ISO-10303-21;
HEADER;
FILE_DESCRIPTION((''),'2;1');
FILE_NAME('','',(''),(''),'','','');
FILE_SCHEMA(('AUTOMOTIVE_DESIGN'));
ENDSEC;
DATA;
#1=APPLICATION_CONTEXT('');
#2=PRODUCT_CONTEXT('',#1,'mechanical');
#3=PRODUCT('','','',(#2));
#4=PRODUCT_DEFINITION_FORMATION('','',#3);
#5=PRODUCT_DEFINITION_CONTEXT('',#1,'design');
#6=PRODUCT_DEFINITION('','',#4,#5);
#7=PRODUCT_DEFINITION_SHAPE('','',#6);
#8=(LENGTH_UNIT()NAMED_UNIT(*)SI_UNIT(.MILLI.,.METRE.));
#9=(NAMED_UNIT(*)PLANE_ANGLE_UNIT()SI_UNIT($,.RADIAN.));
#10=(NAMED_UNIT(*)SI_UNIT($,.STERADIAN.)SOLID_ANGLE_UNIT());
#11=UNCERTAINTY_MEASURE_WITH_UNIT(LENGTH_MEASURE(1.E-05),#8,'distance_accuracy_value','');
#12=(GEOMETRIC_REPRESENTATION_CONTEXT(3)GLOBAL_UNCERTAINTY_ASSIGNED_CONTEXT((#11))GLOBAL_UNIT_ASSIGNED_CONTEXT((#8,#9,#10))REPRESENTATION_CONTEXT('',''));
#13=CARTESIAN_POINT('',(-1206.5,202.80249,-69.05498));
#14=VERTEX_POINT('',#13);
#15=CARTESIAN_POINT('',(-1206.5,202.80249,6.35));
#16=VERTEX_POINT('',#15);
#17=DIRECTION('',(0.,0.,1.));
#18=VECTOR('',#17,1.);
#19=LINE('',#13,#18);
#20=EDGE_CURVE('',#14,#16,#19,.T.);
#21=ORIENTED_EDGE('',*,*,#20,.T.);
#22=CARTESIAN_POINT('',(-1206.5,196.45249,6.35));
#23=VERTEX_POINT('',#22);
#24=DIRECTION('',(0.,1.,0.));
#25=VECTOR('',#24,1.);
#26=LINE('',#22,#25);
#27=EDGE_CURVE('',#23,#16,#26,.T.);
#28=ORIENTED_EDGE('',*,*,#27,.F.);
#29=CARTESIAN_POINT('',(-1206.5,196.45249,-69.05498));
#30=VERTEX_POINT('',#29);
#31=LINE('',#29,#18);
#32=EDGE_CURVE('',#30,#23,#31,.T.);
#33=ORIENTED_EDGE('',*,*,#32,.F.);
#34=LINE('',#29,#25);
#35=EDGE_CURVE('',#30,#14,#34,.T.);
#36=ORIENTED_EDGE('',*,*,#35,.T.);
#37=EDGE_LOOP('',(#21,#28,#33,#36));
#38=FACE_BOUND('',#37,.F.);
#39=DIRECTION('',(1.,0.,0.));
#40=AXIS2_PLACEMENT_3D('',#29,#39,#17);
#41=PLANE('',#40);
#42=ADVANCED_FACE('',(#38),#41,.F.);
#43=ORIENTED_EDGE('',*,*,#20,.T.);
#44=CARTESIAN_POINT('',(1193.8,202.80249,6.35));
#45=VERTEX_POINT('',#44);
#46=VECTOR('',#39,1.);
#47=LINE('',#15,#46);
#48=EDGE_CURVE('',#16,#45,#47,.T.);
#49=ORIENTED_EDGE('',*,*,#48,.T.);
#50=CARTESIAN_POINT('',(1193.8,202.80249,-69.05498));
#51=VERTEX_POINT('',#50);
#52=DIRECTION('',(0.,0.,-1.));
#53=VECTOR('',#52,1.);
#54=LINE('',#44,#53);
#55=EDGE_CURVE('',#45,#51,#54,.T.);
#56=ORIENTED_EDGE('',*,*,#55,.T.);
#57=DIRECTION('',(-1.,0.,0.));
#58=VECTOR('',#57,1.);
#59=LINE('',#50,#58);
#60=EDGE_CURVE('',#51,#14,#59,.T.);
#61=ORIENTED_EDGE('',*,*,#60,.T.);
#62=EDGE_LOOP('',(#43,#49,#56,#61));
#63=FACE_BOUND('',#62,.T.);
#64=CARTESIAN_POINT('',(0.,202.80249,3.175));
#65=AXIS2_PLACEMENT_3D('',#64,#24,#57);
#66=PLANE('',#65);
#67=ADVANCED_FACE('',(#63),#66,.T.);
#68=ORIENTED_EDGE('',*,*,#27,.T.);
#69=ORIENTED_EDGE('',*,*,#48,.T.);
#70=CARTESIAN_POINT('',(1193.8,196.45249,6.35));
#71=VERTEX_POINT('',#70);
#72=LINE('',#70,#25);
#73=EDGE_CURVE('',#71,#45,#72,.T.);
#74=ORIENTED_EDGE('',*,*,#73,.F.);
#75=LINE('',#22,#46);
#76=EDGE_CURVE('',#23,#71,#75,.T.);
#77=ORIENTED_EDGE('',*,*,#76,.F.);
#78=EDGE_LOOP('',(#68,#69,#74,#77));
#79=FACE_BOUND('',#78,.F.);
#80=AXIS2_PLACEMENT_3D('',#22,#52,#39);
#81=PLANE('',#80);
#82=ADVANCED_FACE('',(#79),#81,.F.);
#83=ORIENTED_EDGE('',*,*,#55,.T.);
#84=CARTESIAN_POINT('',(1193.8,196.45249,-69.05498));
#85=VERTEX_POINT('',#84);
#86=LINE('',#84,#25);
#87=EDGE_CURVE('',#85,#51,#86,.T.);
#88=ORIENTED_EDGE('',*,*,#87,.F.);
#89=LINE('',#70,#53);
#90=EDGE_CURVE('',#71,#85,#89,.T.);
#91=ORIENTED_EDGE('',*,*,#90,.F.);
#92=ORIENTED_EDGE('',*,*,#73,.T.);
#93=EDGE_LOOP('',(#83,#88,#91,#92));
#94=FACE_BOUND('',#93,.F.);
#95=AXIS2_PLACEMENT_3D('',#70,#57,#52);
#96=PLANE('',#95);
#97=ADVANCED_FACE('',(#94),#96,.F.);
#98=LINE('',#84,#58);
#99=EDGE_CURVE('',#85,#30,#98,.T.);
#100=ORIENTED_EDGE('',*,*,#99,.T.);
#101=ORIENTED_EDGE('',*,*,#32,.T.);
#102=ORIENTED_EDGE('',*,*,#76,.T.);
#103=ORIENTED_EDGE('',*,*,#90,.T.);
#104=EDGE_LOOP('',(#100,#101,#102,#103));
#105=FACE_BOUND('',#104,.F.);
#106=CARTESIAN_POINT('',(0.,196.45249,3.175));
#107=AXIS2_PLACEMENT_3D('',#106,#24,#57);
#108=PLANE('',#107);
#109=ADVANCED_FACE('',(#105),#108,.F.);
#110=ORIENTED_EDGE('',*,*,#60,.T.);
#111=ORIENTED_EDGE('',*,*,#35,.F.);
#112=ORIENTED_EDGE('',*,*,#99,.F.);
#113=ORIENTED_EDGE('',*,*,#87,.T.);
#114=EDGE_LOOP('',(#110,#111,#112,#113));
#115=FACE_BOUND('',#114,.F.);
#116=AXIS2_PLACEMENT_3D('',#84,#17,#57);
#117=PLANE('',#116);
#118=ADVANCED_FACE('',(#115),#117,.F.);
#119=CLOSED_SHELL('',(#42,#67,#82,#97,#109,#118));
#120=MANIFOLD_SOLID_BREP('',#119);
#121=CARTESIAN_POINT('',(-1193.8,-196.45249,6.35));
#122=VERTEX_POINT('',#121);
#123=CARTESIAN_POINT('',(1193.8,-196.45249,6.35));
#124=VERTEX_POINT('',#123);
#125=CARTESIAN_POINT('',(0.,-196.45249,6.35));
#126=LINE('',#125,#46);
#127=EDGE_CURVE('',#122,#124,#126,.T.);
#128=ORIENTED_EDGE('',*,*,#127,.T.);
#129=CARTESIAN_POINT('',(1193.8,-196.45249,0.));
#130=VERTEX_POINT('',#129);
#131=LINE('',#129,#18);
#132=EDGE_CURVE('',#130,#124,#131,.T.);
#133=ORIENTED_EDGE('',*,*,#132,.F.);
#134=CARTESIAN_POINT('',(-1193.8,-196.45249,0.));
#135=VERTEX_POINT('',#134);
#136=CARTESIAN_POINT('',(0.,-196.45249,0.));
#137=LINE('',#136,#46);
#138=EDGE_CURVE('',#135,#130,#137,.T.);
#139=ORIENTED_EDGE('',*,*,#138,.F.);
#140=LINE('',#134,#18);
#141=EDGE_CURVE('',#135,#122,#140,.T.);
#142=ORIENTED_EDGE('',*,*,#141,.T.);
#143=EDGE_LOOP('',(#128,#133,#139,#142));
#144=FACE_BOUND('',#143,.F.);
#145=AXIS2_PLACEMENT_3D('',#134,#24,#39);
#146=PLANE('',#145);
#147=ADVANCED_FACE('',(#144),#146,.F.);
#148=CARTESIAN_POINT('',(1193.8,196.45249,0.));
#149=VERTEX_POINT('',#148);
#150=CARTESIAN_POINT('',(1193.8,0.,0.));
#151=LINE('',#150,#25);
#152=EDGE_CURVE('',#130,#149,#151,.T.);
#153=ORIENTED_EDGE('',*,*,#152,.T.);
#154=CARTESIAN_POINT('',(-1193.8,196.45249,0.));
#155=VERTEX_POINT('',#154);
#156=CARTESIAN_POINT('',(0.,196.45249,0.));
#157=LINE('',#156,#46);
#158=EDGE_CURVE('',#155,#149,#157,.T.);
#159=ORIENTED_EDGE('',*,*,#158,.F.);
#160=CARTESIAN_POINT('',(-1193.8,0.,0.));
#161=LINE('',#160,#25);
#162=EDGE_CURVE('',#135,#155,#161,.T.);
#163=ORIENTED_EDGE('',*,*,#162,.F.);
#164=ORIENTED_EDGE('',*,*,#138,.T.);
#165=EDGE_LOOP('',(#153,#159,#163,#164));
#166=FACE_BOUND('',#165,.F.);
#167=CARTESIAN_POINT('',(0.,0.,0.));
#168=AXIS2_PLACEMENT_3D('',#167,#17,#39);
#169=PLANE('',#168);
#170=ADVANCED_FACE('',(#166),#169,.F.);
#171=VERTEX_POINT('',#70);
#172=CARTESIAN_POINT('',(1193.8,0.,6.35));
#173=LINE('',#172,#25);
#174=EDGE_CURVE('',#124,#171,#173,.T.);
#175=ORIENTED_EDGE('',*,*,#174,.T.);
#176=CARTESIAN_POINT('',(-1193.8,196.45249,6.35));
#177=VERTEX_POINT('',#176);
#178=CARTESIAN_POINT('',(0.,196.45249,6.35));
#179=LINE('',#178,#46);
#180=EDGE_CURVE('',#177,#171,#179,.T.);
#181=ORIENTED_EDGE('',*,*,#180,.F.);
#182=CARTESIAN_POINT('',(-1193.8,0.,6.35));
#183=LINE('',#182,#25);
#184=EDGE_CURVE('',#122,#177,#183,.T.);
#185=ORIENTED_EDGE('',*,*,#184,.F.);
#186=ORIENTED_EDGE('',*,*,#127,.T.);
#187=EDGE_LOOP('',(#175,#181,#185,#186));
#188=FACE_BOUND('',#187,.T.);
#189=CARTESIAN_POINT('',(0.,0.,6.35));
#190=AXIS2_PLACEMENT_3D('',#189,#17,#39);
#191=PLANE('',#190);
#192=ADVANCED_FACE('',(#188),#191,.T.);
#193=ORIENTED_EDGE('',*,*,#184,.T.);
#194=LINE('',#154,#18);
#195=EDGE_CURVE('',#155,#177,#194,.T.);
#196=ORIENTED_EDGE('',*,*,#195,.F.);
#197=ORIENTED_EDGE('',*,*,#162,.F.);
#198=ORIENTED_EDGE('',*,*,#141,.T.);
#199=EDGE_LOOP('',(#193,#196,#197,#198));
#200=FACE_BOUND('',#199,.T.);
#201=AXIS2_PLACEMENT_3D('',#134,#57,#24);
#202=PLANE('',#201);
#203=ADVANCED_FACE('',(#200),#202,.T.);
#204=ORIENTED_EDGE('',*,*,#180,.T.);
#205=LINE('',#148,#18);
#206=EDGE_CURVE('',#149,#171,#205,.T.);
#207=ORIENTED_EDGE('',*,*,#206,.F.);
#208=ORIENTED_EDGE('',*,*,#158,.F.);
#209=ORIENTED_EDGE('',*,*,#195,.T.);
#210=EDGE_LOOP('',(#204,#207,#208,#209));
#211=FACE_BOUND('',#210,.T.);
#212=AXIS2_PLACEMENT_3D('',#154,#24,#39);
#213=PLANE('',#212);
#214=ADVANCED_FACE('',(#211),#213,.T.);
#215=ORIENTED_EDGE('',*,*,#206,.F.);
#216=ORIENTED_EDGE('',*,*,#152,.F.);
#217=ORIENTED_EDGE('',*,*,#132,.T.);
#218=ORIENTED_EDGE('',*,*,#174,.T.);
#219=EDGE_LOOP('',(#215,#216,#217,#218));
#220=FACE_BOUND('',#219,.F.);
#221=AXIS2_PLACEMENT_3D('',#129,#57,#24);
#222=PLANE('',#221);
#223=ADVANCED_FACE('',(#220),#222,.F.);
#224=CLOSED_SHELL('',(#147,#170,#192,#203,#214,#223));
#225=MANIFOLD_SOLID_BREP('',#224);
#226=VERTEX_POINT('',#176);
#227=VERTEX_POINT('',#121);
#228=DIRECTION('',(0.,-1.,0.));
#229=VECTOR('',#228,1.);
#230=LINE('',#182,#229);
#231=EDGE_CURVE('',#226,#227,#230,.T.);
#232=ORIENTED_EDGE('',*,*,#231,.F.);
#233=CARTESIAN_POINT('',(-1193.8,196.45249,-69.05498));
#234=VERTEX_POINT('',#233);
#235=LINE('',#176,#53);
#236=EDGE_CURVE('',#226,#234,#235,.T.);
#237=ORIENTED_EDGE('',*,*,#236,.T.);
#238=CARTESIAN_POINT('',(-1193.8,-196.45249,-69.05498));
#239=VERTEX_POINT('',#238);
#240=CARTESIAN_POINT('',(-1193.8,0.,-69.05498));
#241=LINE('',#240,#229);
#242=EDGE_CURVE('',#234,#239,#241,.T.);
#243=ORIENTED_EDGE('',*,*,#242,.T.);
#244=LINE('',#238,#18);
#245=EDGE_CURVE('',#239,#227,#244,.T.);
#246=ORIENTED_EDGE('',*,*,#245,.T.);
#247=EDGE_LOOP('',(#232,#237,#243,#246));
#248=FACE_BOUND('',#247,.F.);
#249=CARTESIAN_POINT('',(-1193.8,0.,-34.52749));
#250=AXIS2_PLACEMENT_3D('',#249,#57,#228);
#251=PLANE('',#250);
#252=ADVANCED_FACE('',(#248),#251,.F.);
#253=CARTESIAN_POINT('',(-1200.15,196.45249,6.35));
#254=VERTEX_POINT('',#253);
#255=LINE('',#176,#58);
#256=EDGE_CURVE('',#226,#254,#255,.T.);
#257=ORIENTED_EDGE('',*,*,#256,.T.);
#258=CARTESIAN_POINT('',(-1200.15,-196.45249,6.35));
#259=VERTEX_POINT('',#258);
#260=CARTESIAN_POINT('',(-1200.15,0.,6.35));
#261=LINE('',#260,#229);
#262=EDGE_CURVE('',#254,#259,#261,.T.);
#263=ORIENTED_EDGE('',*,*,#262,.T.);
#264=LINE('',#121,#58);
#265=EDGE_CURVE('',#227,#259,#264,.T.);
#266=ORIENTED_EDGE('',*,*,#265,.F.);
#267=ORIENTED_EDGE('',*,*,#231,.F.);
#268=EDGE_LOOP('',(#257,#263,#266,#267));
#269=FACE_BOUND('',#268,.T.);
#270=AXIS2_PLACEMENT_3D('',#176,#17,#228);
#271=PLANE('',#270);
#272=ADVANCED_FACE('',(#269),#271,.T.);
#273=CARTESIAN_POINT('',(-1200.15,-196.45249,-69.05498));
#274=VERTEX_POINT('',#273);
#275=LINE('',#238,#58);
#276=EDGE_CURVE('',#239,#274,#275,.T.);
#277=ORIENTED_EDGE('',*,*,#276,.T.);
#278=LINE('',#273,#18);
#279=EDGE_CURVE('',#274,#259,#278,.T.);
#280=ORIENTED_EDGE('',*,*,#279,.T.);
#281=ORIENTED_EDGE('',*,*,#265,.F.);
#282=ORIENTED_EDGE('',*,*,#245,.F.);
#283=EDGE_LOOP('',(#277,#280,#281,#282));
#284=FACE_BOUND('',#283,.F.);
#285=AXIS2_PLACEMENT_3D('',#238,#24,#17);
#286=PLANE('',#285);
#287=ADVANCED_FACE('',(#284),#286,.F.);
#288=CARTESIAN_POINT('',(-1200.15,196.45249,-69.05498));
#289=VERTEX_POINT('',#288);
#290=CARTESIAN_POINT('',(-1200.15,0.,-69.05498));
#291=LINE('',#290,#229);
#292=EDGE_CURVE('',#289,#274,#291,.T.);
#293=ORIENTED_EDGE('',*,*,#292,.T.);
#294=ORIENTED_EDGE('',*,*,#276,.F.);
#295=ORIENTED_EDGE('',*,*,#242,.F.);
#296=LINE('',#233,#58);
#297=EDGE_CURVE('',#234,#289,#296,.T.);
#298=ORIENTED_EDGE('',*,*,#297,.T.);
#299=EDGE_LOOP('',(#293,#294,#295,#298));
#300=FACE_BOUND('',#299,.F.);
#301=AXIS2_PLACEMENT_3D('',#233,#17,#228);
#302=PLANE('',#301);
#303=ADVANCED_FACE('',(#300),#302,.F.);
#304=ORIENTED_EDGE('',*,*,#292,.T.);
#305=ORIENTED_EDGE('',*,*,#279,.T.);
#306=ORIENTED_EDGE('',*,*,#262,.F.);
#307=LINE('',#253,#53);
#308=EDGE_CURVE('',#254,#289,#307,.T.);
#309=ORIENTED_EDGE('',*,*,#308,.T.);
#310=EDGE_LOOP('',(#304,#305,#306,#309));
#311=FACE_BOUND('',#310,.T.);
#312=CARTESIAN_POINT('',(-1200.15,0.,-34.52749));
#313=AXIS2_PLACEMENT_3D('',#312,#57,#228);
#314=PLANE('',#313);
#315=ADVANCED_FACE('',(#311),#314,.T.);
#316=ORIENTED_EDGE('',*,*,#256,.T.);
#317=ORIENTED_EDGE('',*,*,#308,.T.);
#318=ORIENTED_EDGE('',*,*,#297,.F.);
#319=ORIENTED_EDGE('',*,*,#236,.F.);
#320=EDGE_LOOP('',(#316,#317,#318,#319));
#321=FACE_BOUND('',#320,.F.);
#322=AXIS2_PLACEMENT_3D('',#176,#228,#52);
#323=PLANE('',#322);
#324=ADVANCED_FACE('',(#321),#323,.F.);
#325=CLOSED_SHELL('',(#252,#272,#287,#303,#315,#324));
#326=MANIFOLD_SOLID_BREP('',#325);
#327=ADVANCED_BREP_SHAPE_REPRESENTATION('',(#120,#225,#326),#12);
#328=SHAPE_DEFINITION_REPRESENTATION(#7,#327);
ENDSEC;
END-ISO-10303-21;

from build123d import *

# Parameters (mm, degrees)
F0_W     = 2387.6
F0_H     = 392.90498
F1_DEPTH = 6.35
F2_W     = 392.90498
F2_H     = 69.05498
F2_H_2   = 6.35
F3_DEPTH = 6.35
F4_W     = 2387.6
F4_H     = 6.35
F5_DEPTH = 6.35


with BuildPart() as f1:
    # F0 (on Top) → F1 (new body)
    with BuildSketch(Plane.XY):
        Rectangle(F0_W, F0_H)
    extrude(amount=F1_DEPTH)


with BuildPart() as f3:
    # F2 (on face) → F3 (new body)
    with BuildSketch(Plane(origin=(-1193.8, 0, 0), x_dir=(0, -1, 0), z_dir=(-1, 0, 0))):
        with Locations((0, -34.52749)):
            Rectangle(F2_W, F2_H)
        with Locations((0, 3.175)):
            Rectangle(F2_W, F2_H_2)
    extrude(amount=F3_DEPTH)


with BuildPart() as f5:
    # F4 (on face) → F5 (new body)
    with BuildSketch(Plane(origin=(0, 196.45249, 0), x_dir=(-1, 0, 0), z_dir=(0, 1, 0))):
        with Locations((0, 3.175)):
            Rectangle(F4_W, F4_H)
        Polygon((1206.5, 6.35), (1193.8, 6.35), (1193.8, 0), (-1193.8, 0), (-1193.8, -69.05498), (1206.5, -69.05498), align=None)
    extrude(amount=F5_DEPTH)


solid = Compound([f1.part, f3.part, f5.part])
